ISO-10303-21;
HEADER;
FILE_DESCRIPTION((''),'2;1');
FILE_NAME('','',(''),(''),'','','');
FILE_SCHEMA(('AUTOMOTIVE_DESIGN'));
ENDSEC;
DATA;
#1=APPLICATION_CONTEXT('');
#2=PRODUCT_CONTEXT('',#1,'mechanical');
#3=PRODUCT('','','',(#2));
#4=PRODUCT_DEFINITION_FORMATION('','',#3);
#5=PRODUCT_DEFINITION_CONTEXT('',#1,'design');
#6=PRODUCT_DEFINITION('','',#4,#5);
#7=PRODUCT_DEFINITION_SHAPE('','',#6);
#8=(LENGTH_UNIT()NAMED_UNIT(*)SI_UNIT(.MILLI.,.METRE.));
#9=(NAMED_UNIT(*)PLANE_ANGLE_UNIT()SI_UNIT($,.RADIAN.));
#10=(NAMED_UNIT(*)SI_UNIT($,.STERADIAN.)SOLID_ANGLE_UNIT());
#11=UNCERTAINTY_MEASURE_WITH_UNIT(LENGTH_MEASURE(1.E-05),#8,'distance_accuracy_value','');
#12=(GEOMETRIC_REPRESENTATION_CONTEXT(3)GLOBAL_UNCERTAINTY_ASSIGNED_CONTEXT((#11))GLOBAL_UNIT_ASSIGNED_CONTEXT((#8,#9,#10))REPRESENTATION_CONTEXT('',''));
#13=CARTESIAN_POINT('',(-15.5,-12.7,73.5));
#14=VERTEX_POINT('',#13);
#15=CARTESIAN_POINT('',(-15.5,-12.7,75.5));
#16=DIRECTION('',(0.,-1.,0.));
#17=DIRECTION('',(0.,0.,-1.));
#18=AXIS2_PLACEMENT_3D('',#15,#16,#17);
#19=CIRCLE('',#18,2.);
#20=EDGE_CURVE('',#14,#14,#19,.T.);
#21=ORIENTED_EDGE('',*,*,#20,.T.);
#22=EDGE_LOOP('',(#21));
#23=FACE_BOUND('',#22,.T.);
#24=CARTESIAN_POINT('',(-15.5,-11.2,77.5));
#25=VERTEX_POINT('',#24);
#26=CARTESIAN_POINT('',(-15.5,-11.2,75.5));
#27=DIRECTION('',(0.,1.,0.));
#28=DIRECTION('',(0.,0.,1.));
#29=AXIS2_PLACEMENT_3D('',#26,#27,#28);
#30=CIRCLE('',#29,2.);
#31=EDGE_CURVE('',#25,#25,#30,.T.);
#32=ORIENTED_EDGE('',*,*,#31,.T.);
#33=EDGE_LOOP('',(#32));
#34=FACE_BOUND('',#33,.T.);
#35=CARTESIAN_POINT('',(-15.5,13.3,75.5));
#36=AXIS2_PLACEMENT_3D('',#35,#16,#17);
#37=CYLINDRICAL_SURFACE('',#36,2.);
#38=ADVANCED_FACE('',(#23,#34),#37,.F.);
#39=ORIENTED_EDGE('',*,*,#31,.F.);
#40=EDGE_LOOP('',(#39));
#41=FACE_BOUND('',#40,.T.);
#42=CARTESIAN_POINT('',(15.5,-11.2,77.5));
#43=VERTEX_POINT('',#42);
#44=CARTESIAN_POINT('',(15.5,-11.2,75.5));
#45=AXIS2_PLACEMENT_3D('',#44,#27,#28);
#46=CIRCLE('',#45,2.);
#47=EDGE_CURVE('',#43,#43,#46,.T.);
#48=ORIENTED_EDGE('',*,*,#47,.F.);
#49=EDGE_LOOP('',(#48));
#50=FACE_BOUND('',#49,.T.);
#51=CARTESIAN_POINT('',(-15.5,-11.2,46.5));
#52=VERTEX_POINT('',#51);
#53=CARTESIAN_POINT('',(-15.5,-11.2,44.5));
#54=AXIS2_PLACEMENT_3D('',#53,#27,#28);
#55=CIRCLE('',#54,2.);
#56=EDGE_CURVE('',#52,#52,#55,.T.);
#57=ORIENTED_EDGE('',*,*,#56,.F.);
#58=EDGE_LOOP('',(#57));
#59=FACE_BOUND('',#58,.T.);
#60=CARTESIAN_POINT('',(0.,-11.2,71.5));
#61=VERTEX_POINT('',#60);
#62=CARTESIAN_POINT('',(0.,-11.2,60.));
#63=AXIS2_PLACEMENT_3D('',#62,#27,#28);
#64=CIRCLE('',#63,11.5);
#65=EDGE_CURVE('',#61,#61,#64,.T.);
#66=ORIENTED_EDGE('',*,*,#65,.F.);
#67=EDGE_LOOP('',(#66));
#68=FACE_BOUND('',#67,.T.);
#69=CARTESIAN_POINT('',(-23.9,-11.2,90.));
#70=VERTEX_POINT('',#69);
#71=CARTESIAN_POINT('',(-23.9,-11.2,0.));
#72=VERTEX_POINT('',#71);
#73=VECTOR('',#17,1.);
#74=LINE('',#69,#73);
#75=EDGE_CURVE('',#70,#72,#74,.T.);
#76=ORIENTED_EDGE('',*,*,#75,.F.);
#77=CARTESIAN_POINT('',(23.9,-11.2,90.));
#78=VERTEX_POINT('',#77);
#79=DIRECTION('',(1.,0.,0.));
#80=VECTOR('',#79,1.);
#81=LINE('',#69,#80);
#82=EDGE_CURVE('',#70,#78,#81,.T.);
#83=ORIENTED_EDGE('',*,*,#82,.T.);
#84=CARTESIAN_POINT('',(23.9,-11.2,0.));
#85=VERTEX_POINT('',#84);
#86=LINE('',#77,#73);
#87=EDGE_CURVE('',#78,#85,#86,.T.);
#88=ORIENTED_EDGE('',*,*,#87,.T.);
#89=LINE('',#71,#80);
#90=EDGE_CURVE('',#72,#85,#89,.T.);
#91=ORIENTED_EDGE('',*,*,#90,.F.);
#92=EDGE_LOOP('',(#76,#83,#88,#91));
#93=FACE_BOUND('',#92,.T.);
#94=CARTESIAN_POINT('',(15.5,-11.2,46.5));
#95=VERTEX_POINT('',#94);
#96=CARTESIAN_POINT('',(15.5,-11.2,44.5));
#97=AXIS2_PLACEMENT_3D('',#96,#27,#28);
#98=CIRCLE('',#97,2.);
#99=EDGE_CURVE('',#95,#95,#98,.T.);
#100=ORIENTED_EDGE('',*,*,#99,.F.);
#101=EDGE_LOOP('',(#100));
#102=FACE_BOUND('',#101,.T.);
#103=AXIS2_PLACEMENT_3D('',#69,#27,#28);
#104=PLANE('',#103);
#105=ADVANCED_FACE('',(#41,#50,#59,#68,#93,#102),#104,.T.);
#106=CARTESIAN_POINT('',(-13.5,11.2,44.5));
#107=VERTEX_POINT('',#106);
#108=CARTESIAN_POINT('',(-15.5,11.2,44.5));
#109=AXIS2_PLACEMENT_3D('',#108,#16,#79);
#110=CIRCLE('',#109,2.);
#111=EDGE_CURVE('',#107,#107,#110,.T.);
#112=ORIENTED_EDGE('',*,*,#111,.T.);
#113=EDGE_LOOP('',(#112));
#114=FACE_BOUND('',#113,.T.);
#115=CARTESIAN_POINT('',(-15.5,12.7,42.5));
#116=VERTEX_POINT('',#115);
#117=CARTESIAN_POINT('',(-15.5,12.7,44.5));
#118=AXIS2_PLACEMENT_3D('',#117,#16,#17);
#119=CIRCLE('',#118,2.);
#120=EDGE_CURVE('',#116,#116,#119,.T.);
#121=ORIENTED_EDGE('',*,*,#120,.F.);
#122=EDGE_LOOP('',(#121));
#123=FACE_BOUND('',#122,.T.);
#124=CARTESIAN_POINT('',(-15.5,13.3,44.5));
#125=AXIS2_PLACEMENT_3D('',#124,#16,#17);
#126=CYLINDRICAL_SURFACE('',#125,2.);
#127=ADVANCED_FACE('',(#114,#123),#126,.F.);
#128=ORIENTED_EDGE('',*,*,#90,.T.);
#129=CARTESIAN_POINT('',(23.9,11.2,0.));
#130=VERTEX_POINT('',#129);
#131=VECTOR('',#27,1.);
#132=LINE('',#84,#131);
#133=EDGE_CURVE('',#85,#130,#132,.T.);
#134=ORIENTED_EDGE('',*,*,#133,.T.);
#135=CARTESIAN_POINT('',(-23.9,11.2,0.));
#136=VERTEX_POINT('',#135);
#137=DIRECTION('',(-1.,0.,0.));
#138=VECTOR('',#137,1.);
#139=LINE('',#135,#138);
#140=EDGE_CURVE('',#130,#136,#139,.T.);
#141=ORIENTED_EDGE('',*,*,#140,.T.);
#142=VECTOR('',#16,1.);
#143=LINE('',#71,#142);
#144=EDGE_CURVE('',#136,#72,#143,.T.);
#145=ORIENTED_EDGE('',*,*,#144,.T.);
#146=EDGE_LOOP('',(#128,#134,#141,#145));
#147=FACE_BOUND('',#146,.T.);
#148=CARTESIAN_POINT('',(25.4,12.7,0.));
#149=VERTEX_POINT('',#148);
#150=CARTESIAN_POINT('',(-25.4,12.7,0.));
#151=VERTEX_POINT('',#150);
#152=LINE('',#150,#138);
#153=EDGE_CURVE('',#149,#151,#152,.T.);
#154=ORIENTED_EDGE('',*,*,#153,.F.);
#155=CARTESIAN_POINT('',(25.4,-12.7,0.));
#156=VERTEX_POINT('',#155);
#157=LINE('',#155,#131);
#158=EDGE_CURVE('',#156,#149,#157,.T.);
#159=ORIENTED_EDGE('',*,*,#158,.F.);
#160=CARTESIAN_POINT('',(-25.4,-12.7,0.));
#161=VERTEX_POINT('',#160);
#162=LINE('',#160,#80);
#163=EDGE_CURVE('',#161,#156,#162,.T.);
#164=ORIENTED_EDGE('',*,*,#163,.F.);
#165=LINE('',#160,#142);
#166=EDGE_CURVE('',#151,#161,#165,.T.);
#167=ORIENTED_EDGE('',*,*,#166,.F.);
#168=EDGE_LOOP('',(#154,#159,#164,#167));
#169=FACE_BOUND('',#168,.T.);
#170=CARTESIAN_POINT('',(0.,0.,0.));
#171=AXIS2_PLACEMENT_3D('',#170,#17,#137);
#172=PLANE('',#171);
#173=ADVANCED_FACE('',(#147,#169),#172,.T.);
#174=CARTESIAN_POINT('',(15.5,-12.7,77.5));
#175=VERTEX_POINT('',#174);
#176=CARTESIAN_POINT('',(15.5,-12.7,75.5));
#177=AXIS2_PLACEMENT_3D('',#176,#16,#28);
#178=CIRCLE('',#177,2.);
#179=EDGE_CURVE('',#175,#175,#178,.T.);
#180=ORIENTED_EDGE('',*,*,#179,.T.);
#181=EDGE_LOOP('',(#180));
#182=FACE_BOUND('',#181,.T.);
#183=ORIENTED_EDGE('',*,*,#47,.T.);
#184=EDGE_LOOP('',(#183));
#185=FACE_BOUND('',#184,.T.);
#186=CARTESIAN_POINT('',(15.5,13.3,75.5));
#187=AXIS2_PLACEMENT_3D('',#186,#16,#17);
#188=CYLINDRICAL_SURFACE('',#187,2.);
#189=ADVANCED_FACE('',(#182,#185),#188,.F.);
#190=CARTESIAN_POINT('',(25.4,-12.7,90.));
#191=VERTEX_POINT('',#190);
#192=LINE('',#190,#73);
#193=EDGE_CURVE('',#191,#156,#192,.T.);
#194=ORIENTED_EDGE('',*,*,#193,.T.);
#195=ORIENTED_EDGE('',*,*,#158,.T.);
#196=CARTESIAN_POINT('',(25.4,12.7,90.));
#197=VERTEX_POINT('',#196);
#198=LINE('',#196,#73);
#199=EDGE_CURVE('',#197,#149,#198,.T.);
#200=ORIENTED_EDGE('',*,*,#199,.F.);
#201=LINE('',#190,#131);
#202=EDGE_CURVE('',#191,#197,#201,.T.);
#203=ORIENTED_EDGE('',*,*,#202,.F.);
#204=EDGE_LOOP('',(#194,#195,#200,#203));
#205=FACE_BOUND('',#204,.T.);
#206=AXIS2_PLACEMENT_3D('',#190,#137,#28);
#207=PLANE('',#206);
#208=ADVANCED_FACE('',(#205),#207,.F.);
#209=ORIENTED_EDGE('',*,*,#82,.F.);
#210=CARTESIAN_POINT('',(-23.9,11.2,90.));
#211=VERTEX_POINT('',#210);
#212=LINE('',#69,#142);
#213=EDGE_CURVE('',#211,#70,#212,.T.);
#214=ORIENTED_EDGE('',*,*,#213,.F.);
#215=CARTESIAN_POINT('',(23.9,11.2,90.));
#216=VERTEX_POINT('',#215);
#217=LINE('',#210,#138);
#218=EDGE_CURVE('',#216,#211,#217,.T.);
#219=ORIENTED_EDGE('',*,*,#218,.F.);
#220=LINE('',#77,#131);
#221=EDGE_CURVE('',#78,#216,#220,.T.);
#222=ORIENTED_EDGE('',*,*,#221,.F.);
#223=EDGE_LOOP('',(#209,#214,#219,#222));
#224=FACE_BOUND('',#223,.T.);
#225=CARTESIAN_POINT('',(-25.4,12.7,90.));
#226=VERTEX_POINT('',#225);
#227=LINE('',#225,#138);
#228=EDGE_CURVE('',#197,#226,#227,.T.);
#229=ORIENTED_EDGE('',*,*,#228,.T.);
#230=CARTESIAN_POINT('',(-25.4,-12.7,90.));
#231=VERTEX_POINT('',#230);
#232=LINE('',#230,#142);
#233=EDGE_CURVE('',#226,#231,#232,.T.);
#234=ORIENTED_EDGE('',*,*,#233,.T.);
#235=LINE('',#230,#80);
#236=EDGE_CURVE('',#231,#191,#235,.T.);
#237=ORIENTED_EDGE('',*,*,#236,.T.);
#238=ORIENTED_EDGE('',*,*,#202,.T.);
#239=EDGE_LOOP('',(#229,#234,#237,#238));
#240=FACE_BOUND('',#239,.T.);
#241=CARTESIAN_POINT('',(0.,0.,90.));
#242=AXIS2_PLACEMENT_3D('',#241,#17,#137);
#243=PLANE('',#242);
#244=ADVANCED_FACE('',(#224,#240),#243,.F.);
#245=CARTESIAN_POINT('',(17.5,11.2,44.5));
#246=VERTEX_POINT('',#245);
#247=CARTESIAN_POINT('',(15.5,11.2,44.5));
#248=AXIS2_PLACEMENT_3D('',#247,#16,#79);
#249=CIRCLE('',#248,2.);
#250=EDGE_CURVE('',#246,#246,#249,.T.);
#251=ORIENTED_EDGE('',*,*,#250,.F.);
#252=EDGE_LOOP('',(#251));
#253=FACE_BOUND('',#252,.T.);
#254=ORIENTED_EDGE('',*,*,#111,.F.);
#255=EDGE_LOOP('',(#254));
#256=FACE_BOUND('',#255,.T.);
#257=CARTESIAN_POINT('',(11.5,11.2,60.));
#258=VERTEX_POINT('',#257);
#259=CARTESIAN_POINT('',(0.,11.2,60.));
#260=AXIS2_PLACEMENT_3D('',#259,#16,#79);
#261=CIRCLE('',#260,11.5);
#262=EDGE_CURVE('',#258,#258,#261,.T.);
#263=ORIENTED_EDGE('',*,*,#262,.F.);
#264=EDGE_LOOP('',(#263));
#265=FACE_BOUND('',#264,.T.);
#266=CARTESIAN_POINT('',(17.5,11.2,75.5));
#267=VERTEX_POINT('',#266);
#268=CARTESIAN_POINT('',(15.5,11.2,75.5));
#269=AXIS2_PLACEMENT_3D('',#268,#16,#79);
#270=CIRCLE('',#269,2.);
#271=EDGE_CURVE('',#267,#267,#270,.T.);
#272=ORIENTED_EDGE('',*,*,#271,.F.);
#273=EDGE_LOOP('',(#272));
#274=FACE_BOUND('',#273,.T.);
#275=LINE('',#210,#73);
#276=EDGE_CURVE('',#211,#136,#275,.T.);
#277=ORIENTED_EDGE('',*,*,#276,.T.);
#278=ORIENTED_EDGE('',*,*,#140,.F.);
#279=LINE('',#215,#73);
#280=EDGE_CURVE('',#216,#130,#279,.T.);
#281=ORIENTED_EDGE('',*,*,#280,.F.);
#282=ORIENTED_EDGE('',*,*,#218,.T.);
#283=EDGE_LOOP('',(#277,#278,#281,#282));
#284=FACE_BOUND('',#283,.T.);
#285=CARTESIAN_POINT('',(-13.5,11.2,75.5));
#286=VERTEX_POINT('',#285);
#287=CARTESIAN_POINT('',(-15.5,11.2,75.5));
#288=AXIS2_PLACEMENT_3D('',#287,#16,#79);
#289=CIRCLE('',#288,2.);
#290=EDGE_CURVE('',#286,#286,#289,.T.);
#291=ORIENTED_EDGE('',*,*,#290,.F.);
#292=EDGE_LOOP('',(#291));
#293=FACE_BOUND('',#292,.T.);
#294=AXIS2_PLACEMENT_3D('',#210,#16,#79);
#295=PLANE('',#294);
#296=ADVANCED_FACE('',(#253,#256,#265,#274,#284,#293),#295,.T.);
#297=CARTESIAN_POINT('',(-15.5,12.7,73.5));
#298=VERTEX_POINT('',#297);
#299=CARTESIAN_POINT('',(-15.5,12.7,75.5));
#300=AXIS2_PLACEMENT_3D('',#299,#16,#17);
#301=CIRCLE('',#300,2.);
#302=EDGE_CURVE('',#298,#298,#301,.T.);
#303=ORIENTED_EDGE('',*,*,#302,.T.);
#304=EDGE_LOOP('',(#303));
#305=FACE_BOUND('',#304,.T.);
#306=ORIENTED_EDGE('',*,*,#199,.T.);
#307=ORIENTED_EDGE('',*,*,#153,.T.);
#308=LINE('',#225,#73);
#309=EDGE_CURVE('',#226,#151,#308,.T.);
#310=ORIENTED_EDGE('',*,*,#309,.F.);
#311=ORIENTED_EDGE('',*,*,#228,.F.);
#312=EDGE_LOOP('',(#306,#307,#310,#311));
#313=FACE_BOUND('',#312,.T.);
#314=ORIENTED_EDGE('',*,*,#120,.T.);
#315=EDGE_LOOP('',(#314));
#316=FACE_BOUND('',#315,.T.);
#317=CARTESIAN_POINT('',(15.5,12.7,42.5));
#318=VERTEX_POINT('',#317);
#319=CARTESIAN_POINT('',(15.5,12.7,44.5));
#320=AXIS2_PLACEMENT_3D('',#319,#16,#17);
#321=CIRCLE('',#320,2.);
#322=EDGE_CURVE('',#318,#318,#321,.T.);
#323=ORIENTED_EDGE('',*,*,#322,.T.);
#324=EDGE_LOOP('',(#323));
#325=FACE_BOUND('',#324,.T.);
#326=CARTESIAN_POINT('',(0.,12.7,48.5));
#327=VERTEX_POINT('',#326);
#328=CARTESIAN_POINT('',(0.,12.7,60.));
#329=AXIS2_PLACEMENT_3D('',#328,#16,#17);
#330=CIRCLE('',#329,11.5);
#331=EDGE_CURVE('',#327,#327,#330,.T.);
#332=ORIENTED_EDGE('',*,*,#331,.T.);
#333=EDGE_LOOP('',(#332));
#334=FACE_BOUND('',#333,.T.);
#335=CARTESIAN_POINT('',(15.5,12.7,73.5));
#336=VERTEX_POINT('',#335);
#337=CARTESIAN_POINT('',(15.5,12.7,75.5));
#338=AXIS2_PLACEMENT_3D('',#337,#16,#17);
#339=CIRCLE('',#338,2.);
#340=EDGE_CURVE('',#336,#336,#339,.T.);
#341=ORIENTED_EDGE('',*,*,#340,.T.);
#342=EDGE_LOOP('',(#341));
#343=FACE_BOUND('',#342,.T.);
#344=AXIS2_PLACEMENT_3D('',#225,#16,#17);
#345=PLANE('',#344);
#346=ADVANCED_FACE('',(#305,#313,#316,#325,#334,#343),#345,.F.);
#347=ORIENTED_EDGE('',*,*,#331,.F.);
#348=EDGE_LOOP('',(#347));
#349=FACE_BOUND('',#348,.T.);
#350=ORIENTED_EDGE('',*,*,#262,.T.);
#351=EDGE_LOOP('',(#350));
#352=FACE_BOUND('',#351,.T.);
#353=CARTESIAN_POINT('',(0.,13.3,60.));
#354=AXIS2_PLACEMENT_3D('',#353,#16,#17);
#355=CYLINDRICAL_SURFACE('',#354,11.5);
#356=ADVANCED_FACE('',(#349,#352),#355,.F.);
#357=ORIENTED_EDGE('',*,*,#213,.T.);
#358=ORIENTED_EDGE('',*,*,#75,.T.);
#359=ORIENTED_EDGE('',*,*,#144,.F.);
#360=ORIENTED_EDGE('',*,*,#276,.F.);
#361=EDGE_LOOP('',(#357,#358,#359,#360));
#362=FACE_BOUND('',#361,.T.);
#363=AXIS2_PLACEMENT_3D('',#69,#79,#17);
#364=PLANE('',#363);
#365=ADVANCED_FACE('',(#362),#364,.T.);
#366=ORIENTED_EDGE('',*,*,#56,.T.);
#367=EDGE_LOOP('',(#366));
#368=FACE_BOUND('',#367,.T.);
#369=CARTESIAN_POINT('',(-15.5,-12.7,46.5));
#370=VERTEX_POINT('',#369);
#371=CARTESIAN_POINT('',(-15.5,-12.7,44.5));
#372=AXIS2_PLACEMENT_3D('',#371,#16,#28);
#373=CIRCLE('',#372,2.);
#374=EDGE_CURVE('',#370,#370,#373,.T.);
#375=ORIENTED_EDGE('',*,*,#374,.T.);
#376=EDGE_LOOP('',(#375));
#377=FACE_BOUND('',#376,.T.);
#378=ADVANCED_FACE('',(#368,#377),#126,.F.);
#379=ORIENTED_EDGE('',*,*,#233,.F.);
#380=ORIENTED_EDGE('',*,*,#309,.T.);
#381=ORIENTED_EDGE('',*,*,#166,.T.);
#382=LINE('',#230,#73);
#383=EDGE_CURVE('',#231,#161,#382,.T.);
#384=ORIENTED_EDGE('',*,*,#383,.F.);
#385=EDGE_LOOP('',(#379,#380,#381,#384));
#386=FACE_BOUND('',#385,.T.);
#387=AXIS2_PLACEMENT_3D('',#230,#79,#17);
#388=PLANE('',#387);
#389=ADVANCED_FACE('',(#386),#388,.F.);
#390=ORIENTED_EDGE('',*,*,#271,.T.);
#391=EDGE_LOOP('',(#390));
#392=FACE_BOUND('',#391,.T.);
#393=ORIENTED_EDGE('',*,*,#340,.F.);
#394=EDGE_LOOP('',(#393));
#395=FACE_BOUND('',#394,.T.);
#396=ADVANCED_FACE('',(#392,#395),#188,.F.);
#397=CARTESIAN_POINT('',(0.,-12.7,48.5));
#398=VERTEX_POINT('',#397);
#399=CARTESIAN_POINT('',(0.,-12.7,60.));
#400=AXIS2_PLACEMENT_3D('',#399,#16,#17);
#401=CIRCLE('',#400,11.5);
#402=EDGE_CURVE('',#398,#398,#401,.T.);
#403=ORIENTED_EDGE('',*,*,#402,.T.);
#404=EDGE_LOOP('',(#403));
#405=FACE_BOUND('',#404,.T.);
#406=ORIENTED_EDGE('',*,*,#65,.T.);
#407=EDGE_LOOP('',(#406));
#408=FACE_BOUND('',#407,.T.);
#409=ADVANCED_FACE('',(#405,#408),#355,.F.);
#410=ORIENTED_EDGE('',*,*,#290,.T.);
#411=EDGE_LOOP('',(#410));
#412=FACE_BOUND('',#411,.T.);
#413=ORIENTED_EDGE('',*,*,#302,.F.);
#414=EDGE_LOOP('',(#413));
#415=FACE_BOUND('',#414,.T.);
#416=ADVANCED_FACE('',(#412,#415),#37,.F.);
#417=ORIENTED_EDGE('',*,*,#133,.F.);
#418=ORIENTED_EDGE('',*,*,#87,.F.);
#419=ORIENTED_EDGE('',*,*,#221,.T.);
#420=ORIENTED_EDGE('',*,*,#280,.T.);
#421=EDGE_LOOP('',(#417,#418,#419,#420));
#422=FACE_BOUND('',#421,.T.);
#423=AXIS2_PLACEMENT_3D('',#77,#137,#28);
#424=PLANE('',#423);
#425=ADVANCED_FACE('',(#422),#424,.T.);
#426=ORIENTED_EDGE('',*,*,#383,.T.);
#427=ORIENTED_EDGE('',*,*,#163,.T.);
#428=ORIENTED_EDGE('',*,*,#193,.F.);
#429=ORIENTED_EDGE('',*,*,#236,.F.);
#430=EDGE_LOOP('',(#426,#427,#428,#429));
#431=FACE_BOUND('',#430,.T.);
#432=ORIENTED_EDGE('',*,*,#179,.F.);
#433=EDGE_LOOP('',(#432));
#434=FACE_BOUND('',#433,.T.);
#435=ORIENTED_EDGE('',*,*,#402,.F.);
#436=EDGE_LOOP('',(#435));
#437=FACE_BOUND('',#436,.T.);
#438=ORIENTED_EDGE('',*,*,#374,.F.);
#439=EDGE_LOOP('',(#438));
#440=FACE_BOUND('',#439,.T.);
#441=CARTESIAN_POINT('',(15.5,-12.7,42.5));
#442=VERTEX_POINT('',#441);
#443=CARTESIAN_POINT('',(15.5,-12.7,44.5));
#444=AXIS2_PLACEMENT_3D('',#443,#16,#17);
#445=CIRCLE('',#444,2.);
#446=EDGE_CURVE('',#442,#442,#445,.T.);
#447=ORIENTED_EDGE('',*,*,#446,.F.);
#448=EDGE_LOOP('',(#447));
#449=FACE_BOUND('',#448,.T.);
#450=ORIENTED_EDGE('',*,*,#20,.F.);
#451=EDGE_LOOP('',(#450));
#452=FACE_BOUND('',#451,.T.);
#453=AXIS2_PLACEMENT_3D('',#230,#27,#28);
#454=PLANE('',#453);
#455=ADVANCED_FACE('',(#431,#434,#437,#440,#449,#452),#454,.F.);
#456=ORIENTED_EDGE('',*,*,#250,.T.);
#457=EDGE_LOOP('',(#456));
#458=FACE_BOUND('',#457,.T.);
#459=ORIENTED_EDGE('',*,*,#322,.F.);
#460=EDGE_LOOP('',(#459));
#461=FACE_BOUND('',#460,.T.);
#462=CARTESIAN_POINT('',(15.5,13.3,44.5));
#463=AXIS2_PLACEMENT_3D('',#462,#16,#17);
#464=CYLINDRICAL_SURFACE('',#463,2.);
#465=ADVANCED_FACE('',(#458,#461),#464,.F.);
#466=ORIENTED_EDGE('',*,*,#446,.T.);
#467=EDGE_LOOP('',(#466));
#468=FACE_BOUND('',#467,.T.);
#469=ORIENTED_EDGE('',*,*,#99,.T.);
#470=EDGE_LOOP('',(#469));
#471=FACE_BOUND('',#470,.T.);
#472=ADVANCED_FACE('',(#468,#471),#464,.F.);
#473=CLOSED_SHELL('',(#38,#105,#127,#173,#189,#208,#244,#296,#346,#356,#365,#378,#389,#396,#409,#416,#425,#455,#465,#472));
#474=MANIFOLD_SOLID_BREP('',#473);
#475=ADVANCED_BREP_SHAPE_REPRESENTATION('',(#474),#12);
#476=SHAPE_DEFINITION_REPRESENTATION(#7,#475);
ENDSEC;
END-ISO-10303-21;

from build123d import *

# Parameters (mm, degrees)
CROQUIS1_W              = 50.8
CROQUIS1_H              = 25.4
CROQUIS1_W_2            = 47.8
CROQUIS1_H_2            = 22.4
SALIENTE_EXTRUIR1_DEPTH = 90
CROQUIS2_R              = 11.5
CROQUIS2_R_2            = 2
CORTAR_EXTRUIR1_DEPTH   = 26


with BuildPart() as part:
    # Croquis1 → Saliente-Extruir1 (new body)
    with BuildSketch(Plane.XY):
        Rectangle(CROQUIS1_W, CROQUIS1_H)
        Rectangle(CROQUIS1_W_2, CROQUIS1_H_2, mode=Mode.SUBTRACT)
    extrude(amount=SALIENTE_EXTRUIR1_DEPTH)

    # Croquis2 → Cortar-Extruir1 (cut)
    with BuildSketch(Plane(origin=(0, -12.7, 0), x_dir=(-1, 0, 0), z_dir=(0, -1, 0))):
        with Locations((0, -60)):
            Circle(CROQUIS2_R)
        with Locations((15.5, -75.5)):
            Circle(CROQUIS2_R_2)
        with Locations((-15.5, -75.5)):
            Circle(CROQUIS2_R_2)
        with Locations((-15.5, -44.5)):
            Circle(CROQUIS2_R_2)
        with Locations((15.5, -44.5)):
            Circle(CROQUIS2_R_2)
    extrude(amount=-CORTAR_EXTRUIR1_DEPTH, mode=Mode.SUBTRACT)


solid = part.part
